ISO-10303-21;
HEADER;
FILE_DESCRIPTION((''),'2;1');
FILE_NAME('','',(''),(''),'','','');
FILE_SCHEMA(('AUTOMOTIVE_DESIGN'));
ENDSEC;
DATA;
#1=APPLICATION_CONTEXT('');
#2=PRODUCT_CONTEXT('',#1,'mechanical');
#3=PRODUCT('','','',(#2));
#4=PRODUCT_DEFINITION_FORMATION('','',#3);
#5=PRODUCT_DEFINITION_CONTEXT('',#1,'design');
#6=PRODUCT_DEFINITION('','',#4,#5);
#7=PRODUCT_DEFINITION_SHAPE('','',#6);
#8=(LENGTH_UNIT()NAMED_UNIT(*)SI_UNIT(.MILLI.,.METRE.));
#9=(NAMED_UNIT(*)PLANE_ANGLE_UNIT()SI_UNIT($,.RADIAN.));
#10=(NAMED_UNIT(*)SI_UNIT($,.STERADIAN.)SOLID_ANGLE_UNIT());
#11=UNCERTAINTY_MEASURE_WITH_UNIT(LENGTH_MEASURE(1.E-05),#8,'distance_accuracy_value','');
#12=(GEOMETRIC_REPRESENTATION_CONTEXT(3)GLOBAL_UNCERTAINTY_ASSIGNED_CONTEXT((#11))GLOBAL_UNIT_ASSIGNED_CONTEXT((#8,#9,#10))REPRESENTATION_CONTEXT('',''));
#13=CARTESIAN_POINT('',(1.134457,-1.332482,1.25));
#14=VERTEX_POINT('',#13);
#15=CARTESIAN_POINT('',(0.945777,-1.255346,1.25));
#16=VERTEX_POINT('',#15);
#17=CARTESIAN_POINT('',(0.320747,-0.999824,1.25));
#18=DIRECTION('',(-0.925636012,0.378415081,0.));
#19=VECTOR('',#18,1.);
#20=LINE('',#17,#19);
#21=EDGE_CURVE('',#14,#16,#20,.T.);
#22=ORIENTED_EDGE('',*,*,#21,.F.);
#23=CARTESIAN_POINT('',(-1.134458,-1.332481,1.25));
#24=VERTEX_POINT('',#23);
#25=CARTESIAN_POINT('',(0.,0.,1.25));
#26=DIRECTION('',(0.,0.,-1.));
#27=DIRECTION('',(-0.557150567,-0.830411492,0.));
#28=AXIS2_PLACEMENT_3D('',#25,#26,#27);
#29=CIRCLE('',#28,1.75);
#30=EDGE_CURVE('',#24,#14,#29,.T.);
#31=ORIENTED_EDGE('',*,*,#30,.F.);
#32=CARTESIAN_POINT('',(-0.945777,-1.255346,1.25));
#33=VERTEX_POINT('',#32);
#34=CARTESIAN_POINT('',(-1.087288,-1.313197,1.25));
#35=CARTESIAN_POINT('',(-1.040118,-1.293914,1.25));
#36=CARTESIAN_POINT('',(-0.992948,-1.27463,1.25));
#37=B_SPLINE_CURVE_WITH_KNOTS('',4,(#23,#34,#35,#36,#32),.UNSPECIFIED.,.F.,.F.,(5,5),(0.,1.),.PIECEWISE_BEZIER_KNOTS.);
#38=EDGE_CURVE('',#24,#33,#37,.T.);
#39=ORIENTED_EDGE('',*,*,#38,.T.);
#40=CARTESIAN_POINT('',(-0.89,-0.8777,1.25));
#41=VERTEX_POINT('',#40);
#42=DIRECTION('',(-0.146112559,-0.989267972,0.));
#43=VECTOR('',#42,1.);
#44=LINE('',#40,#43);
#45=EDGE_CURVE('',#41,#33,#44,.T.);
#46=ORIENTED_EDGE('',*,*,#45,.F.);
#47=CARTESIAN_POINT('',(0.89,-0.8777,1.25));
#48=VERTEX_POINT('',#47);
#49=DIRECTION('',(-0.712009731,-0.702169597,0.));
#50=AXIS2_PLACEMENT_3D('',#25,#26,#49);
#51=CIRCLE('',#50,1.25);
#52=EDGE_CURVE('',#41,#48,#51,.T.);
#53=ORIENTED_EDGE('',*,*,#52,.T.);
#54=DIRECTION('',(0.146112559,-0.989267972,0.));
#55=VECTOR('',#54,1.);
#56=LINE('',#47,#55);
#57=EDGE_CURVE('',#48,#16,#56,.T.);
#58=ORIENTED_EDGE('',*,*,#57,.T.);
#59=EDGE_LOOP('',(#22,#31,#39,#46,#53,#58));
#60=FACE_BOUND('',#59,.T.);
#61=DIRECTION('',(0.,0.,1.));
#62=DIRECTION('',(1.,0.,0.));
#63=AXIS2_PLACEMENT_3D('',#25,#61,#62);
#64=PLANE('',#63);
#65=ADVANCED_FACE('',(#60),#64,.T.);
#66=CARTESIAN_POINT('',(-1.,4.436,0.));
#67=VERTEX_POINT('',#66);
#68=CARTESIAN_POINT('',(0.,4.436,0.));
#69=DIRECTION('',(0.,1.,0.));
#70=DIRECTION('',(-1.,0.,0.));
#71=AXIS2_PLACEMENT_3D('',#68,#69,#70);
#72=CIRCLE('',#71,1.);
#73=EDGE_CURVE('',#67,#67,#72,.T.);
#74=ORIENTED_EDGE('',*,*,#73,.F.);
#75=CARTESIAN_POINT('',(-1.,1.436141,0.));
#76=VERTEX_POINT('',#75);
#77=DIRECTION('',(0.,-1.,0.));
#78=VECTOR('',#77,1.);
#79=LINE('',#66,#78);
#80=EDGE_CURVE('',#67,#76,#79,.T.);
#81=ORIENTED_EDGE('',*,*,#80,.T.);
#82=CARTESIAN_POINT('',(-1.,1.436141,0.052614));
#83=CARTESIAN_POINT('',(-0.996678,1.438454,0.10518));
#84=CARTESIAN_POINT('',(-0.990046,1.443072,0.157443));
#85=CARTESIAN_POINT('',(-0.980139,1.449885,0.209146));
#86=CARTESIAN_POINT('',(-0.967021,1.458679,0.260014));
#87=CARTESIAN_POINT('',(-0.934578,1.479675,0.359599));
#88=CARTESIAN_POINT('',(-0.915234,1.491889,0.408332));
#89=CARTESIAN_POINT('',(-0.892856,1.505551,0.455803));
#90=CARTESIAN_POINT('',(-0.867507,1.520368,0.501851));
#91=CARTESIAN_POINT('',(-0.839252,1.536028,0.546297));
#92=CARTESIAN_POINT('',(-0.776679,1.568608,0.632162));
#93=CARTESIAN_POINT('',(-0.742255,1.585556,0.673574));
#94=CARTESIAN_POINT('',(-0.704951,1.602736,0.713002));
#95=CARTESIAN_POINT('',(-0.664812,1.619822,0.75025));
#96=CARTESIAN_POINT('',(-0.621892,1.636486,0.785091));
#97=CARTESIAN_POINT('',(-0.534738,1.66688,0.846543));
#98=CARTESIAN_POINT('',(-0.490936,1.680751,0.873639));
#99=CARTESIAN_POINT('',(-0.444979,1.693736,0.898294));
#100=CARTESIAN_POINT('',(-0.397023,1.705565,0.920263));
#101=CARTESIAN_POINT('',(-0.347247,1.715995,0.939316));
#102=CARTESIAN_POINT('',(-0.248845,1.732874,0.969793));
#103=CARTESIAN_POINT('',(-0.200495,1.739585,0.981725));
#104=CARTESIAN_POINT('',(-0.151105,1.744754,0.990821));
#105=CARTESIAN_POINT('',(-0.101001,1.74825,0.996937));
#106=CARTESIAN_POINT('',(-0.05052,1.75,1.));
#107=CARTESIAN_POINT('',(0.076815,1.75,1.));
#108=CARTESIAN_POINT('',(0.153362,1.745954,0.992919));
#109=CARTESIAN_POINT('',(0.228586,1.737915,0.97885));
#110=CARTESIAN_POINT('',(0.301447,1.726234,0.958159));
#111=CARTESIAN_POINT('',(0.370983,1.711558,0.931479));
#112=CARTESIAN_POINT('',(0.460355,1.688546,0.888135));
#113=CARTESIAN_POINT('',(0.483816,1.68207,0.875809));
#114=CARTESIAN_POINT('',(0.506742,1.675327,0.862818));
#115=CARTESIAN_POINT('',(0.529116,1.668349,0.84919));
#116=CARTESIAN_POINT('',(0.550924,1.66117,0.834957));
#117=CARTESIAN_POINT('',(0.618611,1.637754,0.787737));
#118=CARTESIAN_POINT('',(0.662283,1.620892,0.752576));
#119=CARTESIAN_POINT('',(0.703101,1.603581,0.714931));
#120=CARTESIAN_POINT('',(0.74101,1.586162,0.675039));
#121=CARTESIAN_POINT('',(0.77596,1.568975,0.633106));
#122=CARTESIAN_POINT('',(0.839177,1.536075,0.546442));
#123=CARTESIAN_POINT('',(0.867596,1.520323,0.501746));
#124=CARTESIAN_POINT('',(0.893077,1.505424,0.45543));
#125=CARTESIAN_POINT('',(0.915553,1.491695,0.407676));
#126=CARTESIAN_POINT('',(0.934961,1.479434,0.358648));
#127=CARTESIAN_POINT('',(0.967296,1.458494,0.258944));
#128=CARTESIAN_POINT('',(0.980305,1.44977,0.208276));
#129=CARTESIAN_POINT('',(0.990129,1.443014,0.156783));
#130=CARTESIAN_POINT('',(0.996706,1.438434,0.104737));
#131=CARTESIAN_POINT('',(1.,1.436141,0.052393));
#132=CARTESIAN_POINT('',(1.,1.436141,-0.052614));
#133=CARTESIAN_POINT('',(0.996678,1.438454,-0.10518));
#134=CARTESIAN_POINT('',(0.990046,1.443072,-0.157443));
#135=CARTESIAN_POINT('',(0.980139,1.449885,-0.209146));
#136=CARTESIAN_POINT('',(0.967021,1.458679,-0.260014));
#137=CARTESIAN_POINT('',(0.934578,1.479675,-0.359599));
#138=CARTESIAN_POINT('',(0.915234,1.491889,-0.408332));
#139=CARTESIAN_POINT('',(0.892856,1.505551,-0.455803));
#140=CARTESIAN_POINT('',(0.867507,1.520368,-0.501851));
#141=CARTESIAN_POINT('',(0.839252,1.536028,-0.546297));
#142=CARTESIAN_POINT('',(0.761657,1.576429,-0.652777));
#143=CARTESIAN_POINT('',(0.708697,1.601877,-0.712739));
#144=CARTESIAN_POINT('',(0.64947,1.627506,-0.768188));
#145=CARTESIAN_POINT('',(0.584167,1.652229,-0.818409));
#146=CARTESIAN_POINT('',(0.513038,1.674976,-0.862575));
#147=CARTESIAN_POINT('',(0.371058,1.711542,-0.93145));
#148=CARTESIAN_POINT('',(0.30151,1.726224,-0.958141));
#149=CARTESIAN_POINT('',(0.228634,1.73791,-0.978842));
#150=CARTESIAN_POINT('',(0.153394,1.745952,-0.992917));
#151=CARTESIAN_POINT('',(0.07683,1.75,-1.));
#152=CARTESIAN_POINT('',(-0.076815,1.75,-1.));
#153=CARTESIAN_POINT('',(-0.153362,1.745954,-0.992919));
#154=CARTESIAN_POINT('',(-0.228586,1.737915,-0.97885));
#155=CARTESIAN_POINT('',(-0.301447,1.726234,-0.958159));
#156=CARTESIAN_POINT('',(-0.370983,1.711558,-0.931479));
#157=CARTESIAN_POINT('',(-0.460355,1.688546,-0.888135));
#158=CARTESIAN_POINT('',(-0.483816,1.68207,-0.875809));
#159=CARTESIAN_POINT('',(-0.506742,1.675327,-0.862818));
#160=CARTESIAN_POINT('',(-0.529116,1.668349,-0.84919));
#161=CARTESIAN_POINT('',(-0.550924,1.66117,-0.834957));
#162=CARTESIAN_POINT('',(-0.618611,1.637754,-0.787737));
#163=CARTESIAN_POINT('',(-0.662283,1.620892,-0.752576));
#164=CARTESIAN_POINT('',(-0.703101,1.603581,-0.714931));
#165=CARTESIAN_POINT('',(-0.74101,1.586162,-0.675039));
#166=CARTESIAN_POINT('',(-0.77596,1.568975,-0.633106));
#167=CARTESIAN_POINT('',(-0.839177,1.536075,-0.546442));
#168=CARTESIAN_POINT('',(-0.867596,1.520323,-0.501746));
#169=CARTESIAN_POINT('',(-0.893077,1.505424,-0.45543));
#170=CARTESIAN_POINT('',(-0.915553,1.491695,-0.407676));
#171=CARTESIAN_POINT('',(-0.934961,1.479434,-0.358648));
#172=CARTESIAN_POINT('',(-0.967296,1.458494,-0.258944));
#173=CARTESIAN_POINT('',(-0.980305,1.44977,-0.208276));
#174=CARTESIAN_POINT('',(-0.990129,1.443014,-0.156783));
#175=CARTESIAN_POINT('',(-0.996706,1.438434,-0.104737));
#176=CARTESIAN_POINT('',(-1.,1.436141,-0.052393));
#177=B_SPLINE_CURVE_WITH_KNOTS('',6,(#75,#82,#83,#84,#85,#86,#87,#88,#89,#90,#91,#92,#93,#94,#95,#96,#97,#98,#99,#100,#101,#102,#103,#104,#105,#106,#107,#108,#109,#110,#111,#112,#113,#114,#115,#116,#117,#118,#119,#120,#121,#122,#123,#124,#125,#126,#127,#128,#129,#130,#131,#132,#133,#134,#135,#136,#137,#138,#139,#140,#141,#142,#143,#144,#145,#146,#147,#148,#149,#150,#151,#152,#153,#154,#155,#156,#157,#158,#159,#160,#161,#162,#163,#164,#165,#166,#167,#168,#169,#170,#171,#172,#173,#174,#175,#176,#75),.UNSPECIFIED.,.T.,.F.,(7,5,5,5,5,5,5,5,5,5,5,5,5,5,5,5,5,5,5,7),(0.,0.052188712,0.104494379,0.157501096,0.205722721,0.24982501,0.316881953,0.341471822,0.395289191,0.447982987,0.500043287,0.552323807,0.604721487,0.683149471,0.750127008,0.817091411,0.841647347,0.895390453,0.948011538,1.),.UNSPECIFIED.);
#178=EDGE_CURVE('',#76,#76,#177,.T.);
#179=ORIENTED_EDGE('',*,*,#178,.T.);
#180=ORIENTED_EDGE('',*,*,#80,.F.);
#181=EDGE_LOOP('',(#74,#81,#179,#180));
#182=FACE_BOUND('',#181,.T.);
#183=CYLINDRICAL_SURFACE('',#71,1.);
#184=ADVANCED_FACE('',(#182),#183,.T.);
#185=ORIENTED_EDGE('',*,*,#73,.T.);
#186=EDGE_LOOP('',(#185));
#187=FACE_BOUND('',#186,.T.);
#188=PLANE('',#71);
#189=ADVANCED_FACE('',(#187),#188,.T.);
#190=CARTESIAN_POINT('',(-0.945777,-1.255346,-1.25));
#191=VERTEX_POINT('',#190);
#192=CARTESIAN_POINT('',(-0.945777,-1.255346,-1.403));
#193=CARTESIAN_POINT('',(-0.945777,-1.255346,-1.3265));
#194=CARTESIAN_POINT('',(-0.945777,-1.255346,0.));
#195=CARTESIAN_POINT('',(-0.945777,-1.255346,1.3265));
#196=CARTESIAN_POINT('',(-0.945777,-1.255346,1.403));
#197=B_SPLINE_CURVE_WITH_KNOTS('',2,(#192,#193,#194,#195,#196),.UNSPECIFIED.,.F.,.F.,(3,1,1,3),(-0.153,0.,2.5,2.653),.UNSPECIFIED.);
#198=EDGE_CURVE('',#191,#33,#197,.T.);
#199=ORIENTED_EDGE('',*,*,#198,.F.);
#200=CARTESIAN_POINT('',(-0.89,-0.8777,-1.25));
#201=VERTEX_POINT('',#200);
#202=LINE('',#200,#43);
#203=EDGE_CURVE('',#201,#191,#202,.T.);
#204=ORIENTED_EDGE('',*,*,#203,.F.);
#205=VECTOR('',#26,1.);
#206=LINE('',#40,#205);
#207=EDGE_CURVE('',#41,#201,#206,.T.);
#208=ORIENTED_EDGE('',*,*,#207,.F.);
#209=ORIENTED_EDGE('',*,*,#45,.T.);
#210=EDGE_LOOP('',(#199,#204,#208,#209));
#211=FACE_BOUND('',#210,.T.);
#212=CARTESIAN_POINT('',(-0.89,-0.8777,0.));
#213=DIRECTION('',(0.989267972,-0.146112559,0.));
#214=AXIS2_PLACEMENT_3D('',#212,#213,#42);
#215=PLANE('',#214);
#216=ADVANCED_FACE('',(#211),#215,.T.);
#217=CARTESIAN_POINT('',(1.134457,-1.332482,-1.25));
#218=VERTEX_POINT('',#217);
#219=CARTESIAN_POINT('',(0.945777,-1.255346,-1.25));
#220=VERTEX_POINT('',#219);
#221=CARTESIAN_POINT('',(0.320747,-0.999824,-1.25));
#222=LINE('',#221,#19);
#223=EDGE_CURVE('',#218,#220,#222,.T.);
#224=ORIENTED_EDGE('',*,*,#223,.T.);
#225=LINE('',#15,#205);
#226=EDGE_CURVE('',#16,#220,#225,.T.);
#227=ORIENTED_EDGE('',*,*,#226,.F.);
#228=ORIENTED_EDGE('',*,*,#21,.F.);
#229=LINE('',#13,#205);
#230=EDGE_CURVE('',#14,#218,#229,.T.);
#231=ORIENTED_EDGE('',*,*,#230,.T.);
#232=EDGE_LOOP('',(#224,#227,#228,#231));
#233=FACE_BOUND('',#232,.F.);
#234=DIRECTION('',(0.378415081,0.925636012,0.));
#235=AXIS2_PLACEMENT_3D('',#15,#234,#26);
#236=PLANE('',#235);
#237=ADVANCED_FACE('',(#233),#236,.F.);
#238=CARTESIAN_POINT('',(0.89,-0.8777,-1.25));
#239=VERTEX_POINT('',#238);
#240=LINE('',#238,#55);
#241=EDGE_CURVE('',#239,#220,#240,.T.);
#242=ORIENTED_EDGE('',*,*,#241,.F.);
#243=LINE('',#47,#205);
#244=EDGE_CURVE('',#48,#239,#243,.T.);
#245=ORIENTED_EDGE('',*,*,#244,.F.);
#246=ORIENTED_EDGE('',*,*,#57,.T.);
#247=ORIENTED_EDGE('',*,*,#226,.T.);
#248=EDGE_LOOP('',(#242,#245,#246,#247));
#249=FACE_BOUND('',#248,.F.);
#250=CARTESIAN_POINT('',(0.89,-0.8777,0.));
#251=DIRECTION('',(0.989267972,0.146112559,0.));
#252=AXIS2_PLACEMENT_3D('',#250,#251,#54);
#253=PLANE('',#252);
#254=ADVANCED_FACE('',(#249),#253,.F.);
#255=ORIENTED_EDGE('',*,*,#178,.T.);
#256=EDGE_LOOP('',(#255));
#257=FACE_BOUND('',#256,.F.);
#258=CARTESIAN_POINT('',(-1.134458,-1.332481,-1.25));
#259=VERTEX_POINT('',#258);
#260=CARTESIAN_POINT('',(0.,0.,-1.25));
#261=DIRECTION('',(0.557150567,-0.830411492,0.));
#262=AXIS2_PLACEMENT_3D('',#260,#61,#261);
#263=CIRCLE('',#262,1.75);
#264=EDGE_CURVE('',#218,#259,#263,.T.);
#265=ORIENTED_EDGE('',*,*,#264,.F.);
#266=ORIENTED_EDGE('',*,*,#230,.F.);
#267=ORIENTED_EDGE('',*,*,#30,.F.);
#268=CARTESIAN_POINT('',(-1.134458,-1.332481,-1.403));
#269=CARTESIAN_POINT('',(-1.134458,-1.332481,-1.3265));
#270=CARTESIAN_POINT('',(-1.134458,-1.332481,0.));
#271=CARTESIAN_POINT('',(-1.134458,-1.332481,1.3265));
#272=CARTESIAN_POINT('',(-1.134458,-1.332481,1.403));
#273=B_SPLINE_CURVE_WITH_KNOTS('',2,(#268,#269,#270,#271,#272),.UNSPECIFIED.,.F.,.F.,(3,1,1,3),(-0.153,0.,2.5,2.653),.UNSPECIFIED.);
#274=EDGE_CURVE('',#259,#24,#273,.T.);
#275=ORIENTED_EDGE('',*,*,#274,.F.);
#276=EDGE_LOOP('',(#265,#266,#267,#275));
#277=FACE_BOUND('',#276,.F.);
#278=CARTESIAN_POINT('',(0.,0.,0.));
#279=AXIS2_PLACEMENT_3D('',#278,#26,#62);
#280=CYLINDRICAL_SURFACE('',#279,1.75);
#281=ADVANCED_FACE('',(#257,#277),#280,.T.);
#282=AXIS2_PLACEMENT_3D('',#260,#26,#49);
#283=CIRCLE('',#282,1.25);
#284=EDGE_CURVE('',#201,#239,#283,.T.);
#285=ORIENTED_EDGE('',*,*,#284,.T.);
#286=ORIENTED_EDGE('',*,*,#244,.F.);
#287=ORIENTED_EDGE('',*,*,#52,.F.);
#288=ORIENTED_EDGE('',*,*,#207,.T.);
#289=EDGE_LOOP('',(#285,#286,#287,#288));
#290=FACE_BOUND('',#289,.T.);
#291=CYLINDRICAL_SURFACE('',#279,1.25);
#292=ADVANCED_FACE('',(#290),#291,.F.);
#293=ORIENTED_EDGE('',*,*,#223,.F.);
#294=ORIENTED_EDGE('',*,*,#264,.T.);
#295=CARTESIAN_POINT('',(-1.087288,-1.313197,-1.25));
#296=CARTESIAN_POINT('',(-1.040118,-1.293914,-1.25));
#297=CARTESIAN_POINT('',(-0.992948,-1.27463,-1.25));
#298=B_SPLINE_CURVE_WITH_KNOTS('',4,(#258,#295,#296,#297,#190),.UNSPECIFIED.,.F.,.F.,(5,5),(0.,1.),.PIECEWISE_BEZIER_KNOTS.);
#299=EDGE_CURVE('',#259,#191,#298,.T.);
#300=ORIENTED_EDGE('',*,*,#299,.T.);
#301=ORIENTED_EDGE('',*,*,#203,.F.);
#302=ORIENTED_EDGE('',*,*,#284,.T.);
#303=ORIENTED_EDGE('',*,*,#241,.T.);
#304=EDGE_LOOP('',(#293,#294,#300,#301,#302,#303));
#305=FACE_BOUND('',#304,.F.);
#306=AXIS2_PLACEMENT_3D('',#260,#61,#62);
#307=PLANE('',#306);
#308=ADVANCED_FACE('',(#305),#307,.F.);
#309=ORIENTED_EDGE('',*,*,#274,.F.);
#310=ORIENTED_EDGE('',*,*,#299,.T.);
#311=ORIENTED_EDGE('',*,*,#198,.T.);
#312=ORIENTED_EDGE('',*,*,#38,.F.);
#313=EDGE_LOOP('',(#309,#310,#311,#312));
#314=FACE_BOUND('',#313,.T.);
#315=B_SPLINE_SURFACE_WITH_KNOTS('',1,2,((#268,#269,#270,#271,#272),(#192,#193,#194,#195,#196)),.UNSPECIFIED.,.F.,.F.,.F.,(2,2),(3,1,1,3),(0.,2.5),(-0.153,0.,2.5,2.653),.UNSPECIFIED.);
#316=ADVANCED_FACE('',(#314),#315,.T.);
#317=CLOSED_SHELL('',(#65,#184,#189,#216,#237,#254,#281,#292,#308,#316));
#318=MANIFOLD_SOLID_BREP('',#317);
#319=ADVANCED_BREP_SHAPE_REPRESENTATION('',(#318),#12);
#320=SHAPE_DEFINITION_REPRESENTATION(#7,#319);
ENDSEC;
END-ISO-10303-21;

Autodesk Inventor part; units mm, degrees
ref_plane "YZ Plane" through (0, 0, 0) normal (1, 0, 0) x (0, 1, 0)
ref_plane "XY Plane" through (0, 0, 0) normal (0, 0, 1) x (1, 0, 0)
sketch "Sketch1" plane through (0, 0, 0) normal (0, 0, 1) x (1, 0, 0)
  circle A0 centre (0, 0) radius 1.75
  circle A1 centre (0, 0) radius 1.25
  line L0 (-0.89, -0.8777) -> (-0.975, -1.4532)
  line L1 (0.89, -0.8777) -> (0.975, -1.4532)
  dimension "d0" = 3.5
  dimension "d1" = 2.5
  dimension "d2" = 1.95
  dimension "d3" = 1.78
extrude "Extrusion1" add sketch "Sketch1" along normal mid plane 2.5 contours A0 L1 A1 L0 picked at (1.5663, 0.14)
chamfer "Chamfer1" distance 0.2 angle 45 2 edges at (-0.975, -1.4532, 0) (0.975, -1.4532, 0)
ref_plane "Work Plane1" through (0, 4.436, 0) normal (0, 1, 0) x (-1, 0, 0)
sketch "Sketch2" plane through (0, 4.436, 0) normal (0, 1, 0) x (-1, 0, 0)
  circle A0 centre (0, 0) radius 1
  dimension "d10" = 2
extrude "Extrusion2" add sketch "Sketch2" against normal up to surface
properties part number "HAND" material "250"
